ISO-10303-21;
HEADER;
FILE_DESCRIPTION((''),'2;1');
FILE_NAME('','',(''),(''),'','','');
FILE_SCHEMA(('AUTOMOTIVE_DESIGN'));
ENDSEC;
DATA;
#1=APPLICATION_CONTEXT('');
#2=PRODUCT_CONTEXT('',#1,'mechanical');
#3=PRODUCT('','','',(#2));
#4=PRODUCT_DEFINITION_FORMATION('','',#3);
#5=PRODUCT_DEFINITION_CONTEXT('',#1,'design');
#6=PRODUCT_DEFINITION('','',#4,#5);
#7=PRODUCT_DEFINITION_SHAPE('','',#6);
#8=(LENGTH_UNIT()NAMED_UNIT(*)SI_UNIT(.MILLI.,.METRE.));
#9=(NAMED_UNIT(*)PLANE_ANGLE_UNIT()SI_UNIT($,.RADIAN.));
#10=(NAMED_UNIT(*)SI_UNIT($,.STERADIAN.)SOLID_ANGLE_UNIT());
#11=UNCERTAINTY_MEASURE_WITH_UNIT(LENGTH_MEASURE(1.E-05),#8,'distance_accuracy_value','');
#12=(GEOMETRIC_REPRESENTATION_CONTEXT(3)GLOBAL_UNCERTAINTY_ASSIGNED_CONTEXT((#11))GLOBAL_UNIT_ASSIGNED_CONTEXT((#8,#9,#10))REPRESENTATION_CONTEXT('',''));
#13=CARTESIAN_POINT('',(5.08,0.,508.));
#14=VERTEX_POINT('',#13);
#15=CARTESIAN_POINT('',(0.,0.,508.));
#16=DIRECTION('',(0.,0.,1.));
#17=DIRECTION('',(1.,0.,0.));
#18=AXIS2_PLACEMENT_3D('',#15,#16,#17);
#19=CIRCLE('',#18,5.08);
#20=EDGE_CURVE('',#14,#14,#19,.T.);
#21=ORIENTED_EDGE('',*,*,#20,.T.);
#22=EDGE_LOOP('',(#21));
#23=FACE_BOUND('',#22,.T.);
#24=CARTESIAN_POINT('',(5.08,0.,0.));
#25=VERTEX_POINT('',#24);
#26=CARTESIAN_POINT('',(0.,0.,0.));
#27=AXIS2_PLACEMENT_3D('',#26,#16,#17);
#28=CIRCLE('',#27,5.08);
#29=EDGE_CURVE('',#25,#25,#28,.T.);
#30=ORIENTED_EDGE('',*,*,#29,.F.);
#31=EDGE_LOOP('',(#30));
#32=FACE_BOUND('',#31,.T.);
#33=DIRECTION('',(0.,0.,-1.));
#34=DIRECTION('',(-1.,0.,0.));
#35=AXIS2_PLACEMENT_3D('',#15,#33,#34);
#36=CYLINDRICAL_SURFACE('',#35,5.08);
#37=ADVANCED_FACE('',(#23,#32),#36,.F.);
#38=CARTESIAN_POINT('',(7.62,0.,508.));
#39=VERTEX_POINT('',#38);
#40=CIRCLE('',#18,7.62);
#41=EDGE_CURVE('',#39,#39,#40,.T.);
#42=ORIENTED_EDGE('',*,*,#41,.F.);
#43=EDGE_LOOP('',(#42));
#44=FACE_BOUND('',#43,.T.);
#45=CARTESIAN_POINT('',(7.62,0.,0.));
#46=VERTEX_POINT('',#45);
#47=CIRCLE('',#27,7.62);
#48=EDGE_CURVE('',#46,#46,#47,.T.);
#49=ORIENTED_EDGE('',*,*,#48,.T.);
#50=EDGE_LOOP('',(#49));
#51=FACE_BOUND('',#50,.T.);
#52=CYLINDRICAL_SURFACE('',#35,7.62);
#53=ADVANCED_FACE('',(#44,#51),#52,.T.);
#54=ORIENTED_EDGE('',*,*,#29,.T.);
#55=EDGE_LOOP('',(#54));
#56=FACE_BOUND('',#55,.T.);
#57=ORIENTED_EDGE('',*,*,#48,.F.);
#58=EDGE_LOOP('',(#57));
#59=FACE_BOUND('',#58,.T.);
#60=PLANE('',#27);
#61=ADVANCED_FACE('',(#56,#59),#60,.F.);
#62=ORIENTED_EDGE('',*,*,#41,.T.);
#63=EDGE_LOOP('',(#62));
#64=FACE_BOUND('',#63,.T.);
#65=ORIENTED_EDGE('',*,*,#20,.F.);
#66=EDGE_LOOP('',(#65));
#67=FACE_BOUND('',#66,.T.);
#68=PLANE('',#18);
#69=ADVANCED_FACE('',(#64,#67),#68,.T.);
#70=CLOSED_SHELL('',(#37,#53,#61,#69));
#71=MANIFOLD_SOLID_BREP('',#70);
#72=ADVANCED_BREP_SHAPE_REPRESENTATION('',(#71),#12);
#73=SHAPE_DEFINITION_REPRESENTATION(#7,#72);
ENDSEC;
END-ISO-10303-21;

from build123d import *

# Parameters (mm, degrees)
SKETCH1_R           = 7.62
SKETCH1_R_2         = 5.08
BOSS_EXTRUDE1_DEPTH = 508


with BuildPart() as part:
    # Sketch1 → Boss-Extrude1 (new body)
    with BuildSketch(Plane.XY):
        Circle(SKETCH1_R)
        Circle(SKETCH1_R_2, mode=Mode.SUBTRACT)
    extrude(amount=BOSS_EXTRUDE1_DEPTH)


solid = part.part
